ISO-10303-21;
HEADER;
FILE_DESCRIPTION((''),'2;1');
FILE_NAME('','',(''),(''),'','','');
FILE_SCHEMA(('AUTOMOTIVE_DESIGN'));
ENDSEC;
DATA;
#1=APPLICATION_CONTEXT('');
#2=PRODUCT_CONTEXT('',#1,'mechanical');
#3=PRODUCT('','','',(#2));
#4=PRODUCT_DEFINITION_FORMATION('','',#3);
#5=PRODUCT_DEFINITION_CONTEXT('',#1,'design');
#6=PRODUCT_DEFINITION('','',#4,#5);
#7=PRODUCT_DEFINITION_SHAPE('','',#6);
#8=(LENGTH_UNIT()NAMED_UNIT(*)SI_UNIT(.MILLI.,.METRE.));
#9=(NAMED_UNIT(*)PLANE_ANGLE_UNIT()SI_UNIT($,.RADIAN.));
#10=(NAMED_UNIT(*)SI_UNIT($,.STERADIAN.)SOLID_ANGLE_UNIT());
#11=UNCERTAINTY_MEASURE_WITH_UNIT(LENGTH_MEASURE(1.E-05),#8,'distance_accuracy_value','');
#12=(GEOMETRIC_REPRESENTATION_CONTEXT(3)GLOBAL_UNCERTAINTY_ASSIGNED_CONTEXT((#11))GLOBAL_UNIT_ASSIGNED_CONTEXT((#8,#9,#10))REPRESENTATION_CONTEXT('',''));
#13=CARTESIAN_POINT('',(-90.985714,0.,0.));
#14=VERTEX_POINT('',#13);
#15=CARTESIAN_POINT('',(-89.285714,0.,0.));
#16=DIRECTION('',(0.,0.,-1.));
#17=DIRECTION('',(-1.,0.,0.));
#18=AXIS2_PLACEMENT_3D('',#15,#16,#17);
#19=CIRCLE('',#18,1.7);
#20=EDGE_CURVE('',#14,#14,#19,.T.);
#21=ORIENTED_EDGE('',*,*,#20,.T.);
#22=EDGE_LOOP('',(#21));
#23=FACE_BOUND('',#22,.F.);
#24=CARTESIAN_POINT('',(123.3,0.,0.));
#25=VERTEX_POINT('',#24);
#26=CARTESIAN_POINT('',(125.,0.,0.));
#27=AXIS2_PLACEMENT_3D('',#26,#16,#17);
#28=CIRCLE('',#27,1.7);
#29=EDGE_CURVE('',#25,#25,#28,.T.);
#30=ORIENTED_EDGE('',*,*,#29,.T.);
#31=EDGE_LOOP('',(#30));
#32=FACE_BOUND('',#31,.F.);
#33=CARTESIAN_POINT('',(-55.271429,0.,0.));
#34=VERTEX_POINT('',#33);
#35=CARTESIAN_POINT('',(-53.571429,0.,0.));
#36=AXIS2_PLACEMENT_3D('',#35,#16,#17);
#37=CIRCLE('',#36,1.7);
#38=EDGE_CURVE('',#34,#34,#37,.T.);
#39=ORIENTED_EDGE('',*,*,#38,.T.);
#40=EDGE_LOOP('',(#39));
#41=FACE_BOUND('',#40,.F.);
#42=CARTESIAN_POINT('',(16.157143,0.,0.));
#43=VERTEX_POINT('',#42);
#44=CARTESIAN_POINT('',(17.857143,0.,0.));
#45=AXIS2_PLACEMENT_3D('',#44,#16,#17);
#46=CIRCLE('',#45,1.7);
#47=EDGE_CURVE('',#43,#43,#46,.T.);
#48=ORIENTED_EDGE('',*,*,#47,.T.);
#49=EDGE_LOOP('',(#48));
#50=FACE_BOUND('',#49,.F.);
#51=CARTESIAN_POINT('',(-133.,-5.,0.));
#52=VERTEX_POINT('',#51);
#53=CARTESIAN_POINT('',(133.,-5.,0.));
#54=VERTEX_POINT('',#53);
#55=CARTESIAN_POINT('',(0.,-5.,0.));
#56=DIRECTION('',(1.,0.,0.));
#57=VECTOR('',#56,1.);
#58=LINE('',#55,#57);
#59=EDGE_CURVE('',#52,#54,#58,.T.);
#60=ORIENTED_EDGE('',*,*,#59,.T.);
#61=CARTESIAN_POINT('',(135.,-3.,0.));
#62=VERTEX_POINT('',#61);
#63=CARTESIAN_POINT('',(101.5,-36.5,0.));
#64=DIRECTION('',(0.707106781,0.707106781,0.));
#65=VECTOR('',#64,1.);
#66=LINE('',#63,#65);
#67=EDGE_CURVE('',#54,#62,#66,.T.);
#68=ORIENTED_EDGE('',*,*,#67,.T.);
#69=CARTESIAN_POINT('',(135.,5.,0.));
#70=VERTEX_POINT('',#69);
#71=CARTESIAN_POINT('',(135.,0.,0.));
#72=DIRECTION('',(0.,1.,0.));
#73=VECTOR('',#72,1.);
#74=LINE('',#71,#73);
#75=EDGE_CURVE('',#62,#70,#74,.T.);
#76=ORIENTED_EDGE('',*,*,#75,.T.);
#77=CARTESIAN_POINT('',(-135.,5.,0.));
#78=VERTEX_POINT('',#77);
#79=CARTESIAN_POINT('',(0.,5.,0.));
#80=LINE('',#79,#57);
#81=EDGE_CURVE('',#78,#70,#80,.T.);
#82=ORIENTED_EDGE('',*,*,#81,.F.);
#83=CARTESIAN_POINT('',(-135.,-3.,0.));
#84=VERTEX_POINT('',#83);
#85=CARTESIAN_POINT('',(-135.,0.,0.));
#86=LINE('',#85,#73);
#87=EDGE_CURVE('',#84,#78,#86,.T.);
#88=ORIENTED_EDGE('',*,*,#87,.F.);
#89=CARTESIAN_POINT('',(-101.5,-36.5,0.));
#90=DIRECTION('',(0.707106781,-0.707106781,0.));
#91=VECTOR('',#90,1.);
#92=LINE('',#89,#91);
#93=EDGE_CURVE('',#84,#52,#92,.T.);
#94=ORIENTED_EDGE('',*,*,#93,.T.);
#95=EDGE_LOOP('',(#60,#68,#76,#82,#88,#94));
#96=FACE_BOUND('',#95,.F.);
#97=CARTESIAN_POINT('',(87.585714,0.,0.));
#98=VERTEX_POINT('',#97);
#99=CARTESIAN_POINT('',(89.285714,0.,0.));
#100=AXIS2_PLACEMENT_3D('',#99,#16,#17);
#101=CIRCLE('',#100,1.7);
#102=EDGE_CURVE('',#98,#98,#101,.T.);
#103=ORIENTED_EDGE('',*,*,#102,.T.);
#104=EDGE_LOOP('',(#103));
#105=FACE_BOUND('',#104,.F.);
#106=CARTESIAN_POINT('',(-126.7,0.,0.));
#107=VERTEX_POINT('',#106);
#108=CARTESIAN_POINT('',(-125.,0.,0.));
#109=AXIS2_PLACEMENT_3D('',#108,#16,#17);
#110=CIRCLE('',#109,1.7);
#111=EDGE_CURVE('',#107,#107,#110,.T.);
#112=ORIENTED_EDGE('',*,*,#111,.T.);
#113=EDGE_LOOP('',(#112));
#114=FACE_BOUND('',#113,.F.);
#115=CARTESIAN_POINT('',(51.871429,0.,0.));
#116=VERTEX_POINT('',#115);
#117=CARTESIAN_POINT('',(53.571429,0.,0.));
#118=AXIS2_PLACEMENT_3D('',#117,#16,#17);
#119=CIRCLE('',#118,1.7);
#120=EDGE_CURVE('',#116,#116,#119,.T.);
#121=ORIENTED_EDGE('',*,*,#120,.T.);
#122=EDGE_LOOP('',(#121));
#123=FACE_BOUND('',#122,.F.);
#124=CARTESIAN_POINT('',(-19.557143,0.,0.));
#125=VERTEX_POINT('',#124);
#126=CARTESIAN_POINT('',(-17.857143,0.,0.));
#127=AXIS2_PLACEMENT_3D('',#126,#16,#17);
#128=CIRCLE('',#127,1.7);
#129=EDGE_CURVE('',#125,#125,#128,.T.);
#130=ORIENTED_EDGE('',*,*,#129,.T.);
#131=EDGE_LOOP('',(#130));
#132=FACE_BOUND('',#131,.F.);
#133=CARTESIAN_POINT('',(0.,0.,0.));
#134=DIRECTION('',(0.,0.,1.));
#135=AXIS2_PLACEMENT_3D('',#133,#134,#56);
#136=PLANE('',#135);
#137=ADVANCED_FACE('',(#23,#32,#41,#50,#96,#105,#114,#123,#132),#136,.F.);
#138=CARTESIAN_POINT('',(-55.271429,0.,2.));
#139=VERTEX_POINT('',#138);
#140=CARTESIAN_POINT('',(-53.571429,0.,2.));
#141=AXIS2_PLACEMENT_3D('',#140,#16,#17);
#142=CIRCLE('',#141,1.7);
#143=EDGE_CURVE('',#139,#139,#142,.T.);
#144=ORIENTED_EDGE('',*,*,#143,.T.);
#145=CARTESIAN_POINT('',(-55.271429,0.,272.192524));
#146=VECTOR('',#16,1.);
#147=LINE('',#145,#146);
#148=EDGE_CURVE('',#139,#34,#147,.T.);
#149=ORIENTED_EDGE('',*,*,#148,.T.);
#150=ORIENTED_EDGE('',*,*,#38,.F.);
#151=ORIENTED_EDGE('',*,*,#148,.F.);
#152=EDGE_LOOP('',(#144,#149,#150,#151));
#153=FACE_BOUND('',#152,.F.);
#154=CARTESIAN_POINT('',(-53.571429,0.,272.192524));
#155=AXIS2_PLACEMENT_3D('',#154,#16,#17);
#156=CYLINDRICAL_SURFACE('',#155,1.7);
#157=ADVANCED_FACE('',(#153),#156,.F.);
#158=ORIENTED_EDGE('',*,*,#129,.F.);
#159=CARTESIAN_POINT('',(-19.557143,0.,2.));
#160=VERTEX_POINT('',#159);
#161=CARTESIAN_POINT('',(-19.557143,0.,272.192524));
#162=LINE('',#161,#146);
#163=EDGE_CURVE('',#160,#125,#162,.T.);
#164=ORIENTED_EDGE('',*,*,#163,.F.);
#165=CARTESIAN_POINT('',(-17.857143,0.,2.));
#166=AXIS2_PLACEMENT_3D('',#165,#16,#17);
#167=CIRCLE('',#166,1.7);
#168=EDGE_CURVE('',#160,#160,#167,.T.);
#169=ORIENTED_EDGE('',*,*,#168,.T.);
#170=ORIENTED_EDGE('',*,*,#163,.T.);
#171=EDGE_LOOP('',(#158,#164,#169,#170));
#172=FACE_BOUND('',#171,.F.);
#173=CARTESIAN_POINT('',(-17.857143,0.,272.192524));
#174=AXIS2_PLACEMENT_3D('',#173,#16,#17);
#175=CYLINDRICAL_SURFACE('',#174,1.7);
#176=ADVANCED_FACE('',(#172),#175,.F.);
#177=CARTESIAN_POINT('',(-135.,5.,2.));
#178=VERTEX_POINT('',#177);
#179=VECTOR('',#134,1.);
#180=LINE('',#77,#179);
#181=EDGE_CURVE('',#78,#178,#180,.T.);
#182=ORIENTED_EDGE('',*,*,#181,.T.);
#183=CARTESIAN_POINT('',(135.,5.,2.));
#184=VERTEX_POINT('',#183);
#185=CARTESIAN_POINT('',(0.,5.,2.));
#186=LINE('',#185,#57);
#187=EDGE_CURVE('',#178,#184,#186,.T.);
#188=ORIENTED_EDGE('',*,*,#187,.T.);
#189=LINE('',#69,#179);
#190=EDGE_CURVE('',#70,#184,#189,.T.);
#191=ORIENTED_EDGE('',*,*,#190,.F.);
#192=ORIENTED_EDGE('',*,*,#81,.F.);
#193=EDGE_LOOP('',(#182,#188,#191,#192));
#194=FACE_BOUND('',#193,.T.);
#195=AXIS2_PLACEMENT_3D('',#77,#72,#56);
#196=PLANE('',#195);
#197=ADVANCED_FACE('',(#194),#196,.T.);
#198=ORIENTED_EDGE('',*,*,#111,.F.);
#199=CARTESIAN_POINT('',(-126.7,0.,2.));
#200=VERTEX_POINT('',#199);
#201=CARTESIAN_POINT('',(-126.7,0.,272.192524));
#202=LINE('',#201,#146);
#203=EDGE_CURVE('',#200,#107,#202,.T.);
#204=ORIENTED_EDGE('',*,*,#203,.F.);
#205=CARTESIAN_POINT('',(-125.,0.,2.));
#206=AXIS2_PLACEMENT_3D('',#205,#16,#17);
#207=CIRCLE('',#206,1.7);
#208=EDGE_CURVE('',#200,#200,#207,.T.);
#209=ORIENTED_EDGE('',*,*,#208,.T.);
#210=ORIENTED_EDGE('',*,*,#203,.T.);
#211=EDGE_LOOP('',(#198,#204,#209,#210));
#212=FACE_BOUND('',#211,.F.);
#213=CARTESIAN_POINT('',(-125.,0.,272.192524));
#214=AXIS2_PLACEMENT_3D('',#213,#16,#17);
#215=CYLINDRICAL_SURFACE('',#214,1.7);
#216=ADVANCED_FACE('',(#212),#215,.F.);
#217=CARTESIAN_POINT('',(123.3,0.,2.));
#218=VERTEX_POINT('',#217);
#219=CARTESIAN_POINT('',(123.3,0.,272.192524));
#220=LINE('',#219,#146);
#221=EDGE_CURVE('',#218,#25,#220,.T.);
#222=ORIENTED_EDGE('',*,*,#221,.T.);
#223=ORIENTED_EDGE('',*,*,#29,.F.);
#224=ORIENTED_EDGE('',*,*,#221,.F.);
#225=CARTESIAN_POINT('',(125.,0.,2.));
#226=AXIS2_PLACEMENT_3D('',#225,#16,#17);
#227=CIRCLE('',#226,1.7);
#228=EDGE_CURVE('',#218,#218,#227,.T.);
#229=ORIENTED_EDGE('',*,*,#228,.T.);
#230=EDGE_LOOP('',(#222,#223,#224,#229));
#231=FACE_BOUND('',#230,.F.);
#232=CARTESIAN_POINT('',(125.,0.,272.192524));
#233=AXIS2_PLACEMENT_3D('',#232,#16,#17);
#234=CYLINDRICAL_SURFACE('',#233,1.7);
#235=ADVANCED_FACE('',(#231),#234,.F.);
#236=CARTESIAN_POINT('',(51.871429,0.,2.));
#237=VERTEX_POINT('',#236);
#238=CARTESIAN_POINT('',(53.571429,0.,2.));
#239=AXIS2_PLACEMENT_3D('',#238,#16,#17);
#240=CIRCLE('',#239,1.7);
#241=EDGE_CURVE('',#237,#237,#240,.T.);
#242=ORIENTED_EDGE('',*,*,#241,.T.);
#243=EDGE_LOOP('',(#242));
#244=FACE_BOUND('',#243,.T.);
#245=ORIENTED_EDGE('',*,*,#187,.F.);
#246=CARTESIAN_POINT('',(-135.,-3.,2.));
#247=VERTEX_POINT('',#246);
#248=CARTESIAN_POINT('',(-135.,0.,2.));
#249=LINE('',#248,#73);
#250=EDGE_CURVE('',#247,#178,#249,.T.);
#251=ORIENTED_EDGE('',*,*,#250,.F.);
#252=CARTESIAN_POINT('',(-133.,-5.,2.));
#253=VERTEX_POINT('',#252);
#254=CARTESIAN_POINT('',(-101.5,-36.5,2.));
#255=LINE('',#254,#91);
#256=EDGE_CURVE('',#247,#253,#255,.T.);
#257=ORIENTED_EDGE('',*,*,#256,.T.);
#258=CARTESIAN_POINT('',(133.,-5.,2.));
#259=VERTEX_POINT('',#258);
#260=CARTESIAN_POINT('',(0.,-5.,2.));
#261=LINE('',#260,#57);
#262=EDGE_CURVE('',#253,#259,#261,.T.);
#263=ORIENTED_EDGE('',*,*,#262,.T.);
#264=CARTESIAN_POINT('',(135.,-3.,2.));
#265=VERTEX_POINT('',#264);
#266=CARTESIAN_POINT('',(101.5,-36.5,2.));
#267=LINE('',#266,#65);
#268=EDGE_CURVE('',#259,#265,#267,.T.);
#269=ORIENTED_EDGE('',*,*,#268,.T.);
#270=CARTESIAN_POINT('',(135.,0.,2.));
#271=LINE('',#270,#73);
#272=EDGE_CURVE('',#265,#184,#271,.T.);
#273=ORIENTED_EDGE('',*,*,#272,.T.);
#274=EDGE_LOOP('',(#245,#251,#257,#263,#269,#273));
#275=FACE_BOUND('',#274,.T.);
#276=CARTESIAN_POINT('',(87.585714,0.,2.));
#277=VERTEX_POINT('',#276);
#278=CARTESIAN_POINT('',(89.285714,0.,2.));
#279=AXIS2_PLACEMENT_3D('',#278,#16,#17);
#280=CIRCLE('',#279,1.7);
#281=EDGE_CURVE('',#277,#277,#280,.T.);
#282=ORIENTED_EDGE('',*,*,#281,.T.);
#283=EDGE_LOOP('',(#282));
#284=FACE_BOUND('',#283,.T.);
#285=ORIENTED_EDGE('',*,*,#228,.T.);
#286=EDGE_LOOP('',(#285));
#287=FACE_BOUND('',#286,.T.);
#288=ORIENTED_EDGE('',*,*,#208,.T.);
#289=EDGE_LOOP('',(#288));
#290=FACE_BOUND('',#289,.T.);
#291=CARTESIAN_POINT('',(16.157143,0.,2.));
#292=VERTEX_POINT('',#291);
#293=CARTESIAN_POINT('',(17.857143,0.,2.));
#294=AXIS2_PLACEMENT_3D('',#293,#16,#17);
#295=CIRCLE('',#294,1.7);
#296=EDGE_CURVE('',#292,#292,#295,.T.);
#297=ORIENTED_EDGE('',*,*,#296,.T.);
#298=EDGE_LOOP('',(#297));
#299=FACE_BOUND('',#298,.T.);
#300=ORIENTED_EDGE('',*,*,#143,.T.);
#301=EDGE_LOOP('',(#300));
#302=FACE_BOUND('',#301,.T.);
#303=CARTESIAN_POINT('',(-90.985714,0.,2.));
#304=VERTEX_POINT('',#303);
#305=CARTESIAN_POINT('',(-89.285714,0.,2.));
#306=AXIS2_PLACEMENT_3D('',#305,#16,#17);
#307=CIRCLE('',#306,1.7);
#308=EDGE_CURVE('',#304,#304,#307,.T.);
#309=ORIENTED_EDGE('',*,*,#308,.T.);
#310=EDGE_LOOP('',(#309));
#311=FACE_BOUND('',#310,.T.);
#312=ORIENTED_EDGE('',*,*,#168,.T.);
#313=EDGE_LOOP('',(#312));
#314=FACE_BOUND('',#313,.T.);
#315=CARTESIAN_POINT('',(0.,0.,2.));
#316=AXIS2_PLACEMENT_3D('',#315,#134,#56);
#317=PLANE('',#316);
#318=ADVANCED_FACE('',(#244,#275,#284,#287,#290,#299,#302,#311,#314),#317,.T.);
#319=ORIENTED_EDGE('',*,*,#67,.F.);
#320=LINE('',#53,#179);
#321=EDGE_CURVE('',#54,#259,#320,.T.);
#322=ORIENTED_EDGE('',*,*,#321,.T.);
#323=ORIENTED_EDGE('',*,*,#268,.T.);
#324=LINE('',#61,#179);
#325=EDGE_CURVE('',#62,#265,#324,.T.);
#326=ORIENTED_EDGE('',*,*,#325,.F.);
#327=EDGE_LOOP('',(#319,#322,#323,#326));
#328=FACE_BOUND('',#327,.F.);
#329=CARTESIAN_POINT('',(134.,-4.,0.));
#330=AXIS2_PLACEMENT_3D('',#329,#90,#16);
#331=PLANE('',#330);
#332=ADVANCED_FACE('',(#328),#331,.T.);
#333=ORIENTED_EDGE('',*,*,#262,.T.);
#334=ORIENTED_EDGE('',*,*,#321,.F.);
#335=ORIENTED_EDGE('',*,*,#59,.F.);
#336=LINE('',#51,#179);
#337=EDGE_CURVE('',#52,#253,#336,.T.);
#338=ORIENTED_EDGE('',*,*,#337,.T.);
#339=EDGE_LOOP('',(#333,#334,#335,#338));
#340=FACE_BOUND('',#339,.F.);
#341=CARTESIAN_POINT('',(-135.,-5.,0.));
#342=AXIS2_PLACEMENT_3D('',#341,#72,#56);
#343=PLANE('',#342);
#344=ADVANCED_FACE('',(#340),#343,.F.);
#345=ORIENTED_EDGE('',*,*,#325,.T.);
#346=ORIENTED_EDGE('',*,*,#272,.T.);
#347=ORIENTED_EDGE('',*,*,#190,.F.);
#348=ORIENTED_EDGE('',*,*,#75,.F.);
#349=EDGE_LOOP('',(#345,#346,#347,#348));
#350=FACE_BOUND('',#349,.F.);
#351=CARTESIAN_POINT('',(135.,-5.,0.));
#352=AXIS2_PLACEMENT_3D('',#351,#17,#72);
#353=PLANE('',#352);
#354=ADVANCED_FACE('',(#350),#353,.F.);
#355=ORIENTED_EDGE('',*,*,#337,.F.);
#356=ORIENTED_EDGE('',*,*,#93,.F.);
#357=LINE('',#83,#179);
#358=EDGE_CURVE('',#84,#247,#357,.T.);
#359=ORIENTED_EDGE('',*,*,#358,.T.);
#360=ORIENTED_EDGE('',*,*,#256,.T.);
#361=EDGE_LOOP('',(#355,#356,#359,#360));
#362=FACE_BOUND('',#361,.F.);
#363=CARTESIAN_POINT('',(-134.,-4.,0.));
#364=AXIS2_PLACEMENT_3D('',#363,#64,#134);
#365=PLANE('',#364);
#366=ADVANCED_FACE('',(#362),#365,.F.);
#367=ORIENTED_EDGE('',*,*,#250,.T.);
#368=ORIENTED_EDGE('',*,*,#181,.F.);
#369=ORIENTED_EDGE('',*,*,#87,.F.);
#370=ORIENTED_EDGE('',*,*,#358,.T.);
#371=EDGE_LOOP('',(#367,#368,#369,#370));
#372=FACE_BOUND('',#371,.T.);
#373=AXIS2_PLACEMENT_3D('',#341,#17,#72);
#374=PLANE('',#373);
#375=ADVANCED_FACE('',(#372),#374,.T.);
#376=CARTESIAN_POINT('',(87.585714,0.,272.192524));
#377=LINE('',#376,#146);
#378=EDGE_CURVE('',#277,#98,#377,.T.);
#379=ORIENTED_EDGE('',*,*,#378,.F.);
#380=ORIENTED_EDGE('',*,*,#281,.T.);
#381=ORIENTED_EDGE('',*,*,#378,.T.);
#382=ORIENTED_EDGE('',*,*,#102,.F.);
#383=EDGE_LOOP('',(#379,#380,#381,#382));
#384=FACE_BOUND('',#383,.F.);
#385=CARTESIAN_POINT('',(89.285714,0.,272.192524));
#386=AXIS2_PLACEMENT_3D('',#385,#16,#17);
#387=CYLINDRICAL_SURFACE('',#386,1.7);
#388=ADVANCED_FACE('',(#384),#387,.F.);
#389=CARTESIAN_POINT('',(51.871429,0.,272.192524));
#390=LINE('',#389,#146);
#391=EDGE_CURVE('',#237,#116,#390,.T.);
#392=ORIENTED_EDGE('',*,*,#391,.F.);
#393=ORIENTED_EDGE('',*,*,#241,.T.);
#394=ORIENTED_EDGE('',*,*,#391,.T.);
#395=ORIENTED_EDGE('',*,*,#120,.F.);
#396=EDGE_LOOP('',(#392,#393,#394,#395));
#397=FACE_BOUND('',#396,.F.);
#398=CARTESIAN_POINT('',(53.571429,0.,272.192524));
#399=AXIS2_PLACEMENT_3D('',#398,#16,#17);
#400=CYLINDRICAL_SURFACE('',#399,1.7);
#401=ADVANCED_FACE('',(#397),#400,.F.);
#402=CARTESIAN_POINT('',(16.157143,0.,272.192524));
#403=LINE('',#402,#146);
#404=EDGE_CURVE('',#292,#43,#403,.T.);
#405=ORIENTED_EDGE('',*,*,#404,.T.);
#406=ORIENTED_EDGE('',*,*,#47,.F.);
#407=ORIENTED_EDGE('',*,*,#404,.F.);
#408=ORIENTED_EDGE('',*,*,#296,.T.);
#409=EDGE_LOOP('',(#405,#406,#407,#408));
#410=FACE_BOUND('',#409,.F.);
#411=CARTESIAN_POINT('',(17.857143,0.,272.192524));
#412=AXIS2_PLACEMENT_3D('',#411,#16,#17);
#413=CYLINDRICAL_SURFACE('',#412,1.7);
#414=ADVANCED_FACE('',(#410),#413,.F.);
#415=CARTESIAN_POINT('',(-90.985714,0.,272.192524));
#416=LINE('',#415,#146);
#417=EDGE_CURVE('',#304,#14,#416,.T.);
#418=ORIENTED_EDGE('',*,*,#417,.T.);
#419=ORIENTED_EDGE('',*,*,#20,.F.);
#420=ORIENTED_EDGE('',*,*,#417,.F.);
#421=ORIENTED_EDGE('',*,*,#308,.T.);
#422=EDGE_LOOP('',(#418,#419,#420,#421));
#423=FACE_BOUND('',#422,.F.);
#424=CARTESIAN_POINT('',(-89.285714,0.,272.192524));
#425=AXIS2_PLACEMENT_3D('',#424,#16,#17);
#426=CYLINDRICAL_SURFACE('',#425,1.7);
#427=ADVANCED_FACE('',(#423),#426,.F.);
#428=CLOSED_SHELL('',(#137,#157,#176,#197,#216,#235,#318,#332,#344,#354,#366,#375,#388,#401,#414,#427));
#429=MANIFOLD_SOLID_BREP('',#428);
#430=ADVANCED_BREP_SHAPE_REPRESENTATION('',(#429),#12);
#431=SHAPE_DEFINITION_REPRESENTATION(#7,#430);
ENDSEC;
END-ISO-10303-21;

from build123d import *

# Parameters (mm, degrees)
SKETCH1_W            = 270
SKETCH1_H            = 10
BOSS_EXTRUDE1_DEPTH  = 2
CHAMFER1_SIZE        = 2
M3_CLEARANCE_HOLE1_D = 3.4
LPATTERN1_COUNT      = 8
LPATTERN1_PITCH      = 35.714285714


with BuildPart() as part:
    # Sketch1 → Boss-Extrude1 (new body)
    with BuildSketch(Plane.XY):
        Rectangle(SKETCH1_W, SKETCH1_H)
    extrude(amount=BOSS_EXTRUDE1_DEPTH)

    # Chamfer1
    chamfer1_edges = [part.edges().sort_by_distance(p)[0] for p in [
        (135, -5, 1),
        (-135, -5, 1),
    ]]
    chamfer(chamfer1_edges, length=CHAMFER1_SIZE)

    # M3 Clearance Hole1 (through all)
    with Locations(Plane.XY.offset(2)):
        with Locations((125, 0)):
            m3_clearance_hole1 = Hole(M3_CLEARANCE_HOLE1_D / 2)

    # LPattern1: M3 Clearance Hole1 ×8
    with Locations(*[(-i * LPATTERN1_PITCH, 0, 0) for i in range(1, LPATTERN1_COUNT)]):
        add(m3_clearance_hole1, mode=Mode.SUBTRACT)


solid = part.part
